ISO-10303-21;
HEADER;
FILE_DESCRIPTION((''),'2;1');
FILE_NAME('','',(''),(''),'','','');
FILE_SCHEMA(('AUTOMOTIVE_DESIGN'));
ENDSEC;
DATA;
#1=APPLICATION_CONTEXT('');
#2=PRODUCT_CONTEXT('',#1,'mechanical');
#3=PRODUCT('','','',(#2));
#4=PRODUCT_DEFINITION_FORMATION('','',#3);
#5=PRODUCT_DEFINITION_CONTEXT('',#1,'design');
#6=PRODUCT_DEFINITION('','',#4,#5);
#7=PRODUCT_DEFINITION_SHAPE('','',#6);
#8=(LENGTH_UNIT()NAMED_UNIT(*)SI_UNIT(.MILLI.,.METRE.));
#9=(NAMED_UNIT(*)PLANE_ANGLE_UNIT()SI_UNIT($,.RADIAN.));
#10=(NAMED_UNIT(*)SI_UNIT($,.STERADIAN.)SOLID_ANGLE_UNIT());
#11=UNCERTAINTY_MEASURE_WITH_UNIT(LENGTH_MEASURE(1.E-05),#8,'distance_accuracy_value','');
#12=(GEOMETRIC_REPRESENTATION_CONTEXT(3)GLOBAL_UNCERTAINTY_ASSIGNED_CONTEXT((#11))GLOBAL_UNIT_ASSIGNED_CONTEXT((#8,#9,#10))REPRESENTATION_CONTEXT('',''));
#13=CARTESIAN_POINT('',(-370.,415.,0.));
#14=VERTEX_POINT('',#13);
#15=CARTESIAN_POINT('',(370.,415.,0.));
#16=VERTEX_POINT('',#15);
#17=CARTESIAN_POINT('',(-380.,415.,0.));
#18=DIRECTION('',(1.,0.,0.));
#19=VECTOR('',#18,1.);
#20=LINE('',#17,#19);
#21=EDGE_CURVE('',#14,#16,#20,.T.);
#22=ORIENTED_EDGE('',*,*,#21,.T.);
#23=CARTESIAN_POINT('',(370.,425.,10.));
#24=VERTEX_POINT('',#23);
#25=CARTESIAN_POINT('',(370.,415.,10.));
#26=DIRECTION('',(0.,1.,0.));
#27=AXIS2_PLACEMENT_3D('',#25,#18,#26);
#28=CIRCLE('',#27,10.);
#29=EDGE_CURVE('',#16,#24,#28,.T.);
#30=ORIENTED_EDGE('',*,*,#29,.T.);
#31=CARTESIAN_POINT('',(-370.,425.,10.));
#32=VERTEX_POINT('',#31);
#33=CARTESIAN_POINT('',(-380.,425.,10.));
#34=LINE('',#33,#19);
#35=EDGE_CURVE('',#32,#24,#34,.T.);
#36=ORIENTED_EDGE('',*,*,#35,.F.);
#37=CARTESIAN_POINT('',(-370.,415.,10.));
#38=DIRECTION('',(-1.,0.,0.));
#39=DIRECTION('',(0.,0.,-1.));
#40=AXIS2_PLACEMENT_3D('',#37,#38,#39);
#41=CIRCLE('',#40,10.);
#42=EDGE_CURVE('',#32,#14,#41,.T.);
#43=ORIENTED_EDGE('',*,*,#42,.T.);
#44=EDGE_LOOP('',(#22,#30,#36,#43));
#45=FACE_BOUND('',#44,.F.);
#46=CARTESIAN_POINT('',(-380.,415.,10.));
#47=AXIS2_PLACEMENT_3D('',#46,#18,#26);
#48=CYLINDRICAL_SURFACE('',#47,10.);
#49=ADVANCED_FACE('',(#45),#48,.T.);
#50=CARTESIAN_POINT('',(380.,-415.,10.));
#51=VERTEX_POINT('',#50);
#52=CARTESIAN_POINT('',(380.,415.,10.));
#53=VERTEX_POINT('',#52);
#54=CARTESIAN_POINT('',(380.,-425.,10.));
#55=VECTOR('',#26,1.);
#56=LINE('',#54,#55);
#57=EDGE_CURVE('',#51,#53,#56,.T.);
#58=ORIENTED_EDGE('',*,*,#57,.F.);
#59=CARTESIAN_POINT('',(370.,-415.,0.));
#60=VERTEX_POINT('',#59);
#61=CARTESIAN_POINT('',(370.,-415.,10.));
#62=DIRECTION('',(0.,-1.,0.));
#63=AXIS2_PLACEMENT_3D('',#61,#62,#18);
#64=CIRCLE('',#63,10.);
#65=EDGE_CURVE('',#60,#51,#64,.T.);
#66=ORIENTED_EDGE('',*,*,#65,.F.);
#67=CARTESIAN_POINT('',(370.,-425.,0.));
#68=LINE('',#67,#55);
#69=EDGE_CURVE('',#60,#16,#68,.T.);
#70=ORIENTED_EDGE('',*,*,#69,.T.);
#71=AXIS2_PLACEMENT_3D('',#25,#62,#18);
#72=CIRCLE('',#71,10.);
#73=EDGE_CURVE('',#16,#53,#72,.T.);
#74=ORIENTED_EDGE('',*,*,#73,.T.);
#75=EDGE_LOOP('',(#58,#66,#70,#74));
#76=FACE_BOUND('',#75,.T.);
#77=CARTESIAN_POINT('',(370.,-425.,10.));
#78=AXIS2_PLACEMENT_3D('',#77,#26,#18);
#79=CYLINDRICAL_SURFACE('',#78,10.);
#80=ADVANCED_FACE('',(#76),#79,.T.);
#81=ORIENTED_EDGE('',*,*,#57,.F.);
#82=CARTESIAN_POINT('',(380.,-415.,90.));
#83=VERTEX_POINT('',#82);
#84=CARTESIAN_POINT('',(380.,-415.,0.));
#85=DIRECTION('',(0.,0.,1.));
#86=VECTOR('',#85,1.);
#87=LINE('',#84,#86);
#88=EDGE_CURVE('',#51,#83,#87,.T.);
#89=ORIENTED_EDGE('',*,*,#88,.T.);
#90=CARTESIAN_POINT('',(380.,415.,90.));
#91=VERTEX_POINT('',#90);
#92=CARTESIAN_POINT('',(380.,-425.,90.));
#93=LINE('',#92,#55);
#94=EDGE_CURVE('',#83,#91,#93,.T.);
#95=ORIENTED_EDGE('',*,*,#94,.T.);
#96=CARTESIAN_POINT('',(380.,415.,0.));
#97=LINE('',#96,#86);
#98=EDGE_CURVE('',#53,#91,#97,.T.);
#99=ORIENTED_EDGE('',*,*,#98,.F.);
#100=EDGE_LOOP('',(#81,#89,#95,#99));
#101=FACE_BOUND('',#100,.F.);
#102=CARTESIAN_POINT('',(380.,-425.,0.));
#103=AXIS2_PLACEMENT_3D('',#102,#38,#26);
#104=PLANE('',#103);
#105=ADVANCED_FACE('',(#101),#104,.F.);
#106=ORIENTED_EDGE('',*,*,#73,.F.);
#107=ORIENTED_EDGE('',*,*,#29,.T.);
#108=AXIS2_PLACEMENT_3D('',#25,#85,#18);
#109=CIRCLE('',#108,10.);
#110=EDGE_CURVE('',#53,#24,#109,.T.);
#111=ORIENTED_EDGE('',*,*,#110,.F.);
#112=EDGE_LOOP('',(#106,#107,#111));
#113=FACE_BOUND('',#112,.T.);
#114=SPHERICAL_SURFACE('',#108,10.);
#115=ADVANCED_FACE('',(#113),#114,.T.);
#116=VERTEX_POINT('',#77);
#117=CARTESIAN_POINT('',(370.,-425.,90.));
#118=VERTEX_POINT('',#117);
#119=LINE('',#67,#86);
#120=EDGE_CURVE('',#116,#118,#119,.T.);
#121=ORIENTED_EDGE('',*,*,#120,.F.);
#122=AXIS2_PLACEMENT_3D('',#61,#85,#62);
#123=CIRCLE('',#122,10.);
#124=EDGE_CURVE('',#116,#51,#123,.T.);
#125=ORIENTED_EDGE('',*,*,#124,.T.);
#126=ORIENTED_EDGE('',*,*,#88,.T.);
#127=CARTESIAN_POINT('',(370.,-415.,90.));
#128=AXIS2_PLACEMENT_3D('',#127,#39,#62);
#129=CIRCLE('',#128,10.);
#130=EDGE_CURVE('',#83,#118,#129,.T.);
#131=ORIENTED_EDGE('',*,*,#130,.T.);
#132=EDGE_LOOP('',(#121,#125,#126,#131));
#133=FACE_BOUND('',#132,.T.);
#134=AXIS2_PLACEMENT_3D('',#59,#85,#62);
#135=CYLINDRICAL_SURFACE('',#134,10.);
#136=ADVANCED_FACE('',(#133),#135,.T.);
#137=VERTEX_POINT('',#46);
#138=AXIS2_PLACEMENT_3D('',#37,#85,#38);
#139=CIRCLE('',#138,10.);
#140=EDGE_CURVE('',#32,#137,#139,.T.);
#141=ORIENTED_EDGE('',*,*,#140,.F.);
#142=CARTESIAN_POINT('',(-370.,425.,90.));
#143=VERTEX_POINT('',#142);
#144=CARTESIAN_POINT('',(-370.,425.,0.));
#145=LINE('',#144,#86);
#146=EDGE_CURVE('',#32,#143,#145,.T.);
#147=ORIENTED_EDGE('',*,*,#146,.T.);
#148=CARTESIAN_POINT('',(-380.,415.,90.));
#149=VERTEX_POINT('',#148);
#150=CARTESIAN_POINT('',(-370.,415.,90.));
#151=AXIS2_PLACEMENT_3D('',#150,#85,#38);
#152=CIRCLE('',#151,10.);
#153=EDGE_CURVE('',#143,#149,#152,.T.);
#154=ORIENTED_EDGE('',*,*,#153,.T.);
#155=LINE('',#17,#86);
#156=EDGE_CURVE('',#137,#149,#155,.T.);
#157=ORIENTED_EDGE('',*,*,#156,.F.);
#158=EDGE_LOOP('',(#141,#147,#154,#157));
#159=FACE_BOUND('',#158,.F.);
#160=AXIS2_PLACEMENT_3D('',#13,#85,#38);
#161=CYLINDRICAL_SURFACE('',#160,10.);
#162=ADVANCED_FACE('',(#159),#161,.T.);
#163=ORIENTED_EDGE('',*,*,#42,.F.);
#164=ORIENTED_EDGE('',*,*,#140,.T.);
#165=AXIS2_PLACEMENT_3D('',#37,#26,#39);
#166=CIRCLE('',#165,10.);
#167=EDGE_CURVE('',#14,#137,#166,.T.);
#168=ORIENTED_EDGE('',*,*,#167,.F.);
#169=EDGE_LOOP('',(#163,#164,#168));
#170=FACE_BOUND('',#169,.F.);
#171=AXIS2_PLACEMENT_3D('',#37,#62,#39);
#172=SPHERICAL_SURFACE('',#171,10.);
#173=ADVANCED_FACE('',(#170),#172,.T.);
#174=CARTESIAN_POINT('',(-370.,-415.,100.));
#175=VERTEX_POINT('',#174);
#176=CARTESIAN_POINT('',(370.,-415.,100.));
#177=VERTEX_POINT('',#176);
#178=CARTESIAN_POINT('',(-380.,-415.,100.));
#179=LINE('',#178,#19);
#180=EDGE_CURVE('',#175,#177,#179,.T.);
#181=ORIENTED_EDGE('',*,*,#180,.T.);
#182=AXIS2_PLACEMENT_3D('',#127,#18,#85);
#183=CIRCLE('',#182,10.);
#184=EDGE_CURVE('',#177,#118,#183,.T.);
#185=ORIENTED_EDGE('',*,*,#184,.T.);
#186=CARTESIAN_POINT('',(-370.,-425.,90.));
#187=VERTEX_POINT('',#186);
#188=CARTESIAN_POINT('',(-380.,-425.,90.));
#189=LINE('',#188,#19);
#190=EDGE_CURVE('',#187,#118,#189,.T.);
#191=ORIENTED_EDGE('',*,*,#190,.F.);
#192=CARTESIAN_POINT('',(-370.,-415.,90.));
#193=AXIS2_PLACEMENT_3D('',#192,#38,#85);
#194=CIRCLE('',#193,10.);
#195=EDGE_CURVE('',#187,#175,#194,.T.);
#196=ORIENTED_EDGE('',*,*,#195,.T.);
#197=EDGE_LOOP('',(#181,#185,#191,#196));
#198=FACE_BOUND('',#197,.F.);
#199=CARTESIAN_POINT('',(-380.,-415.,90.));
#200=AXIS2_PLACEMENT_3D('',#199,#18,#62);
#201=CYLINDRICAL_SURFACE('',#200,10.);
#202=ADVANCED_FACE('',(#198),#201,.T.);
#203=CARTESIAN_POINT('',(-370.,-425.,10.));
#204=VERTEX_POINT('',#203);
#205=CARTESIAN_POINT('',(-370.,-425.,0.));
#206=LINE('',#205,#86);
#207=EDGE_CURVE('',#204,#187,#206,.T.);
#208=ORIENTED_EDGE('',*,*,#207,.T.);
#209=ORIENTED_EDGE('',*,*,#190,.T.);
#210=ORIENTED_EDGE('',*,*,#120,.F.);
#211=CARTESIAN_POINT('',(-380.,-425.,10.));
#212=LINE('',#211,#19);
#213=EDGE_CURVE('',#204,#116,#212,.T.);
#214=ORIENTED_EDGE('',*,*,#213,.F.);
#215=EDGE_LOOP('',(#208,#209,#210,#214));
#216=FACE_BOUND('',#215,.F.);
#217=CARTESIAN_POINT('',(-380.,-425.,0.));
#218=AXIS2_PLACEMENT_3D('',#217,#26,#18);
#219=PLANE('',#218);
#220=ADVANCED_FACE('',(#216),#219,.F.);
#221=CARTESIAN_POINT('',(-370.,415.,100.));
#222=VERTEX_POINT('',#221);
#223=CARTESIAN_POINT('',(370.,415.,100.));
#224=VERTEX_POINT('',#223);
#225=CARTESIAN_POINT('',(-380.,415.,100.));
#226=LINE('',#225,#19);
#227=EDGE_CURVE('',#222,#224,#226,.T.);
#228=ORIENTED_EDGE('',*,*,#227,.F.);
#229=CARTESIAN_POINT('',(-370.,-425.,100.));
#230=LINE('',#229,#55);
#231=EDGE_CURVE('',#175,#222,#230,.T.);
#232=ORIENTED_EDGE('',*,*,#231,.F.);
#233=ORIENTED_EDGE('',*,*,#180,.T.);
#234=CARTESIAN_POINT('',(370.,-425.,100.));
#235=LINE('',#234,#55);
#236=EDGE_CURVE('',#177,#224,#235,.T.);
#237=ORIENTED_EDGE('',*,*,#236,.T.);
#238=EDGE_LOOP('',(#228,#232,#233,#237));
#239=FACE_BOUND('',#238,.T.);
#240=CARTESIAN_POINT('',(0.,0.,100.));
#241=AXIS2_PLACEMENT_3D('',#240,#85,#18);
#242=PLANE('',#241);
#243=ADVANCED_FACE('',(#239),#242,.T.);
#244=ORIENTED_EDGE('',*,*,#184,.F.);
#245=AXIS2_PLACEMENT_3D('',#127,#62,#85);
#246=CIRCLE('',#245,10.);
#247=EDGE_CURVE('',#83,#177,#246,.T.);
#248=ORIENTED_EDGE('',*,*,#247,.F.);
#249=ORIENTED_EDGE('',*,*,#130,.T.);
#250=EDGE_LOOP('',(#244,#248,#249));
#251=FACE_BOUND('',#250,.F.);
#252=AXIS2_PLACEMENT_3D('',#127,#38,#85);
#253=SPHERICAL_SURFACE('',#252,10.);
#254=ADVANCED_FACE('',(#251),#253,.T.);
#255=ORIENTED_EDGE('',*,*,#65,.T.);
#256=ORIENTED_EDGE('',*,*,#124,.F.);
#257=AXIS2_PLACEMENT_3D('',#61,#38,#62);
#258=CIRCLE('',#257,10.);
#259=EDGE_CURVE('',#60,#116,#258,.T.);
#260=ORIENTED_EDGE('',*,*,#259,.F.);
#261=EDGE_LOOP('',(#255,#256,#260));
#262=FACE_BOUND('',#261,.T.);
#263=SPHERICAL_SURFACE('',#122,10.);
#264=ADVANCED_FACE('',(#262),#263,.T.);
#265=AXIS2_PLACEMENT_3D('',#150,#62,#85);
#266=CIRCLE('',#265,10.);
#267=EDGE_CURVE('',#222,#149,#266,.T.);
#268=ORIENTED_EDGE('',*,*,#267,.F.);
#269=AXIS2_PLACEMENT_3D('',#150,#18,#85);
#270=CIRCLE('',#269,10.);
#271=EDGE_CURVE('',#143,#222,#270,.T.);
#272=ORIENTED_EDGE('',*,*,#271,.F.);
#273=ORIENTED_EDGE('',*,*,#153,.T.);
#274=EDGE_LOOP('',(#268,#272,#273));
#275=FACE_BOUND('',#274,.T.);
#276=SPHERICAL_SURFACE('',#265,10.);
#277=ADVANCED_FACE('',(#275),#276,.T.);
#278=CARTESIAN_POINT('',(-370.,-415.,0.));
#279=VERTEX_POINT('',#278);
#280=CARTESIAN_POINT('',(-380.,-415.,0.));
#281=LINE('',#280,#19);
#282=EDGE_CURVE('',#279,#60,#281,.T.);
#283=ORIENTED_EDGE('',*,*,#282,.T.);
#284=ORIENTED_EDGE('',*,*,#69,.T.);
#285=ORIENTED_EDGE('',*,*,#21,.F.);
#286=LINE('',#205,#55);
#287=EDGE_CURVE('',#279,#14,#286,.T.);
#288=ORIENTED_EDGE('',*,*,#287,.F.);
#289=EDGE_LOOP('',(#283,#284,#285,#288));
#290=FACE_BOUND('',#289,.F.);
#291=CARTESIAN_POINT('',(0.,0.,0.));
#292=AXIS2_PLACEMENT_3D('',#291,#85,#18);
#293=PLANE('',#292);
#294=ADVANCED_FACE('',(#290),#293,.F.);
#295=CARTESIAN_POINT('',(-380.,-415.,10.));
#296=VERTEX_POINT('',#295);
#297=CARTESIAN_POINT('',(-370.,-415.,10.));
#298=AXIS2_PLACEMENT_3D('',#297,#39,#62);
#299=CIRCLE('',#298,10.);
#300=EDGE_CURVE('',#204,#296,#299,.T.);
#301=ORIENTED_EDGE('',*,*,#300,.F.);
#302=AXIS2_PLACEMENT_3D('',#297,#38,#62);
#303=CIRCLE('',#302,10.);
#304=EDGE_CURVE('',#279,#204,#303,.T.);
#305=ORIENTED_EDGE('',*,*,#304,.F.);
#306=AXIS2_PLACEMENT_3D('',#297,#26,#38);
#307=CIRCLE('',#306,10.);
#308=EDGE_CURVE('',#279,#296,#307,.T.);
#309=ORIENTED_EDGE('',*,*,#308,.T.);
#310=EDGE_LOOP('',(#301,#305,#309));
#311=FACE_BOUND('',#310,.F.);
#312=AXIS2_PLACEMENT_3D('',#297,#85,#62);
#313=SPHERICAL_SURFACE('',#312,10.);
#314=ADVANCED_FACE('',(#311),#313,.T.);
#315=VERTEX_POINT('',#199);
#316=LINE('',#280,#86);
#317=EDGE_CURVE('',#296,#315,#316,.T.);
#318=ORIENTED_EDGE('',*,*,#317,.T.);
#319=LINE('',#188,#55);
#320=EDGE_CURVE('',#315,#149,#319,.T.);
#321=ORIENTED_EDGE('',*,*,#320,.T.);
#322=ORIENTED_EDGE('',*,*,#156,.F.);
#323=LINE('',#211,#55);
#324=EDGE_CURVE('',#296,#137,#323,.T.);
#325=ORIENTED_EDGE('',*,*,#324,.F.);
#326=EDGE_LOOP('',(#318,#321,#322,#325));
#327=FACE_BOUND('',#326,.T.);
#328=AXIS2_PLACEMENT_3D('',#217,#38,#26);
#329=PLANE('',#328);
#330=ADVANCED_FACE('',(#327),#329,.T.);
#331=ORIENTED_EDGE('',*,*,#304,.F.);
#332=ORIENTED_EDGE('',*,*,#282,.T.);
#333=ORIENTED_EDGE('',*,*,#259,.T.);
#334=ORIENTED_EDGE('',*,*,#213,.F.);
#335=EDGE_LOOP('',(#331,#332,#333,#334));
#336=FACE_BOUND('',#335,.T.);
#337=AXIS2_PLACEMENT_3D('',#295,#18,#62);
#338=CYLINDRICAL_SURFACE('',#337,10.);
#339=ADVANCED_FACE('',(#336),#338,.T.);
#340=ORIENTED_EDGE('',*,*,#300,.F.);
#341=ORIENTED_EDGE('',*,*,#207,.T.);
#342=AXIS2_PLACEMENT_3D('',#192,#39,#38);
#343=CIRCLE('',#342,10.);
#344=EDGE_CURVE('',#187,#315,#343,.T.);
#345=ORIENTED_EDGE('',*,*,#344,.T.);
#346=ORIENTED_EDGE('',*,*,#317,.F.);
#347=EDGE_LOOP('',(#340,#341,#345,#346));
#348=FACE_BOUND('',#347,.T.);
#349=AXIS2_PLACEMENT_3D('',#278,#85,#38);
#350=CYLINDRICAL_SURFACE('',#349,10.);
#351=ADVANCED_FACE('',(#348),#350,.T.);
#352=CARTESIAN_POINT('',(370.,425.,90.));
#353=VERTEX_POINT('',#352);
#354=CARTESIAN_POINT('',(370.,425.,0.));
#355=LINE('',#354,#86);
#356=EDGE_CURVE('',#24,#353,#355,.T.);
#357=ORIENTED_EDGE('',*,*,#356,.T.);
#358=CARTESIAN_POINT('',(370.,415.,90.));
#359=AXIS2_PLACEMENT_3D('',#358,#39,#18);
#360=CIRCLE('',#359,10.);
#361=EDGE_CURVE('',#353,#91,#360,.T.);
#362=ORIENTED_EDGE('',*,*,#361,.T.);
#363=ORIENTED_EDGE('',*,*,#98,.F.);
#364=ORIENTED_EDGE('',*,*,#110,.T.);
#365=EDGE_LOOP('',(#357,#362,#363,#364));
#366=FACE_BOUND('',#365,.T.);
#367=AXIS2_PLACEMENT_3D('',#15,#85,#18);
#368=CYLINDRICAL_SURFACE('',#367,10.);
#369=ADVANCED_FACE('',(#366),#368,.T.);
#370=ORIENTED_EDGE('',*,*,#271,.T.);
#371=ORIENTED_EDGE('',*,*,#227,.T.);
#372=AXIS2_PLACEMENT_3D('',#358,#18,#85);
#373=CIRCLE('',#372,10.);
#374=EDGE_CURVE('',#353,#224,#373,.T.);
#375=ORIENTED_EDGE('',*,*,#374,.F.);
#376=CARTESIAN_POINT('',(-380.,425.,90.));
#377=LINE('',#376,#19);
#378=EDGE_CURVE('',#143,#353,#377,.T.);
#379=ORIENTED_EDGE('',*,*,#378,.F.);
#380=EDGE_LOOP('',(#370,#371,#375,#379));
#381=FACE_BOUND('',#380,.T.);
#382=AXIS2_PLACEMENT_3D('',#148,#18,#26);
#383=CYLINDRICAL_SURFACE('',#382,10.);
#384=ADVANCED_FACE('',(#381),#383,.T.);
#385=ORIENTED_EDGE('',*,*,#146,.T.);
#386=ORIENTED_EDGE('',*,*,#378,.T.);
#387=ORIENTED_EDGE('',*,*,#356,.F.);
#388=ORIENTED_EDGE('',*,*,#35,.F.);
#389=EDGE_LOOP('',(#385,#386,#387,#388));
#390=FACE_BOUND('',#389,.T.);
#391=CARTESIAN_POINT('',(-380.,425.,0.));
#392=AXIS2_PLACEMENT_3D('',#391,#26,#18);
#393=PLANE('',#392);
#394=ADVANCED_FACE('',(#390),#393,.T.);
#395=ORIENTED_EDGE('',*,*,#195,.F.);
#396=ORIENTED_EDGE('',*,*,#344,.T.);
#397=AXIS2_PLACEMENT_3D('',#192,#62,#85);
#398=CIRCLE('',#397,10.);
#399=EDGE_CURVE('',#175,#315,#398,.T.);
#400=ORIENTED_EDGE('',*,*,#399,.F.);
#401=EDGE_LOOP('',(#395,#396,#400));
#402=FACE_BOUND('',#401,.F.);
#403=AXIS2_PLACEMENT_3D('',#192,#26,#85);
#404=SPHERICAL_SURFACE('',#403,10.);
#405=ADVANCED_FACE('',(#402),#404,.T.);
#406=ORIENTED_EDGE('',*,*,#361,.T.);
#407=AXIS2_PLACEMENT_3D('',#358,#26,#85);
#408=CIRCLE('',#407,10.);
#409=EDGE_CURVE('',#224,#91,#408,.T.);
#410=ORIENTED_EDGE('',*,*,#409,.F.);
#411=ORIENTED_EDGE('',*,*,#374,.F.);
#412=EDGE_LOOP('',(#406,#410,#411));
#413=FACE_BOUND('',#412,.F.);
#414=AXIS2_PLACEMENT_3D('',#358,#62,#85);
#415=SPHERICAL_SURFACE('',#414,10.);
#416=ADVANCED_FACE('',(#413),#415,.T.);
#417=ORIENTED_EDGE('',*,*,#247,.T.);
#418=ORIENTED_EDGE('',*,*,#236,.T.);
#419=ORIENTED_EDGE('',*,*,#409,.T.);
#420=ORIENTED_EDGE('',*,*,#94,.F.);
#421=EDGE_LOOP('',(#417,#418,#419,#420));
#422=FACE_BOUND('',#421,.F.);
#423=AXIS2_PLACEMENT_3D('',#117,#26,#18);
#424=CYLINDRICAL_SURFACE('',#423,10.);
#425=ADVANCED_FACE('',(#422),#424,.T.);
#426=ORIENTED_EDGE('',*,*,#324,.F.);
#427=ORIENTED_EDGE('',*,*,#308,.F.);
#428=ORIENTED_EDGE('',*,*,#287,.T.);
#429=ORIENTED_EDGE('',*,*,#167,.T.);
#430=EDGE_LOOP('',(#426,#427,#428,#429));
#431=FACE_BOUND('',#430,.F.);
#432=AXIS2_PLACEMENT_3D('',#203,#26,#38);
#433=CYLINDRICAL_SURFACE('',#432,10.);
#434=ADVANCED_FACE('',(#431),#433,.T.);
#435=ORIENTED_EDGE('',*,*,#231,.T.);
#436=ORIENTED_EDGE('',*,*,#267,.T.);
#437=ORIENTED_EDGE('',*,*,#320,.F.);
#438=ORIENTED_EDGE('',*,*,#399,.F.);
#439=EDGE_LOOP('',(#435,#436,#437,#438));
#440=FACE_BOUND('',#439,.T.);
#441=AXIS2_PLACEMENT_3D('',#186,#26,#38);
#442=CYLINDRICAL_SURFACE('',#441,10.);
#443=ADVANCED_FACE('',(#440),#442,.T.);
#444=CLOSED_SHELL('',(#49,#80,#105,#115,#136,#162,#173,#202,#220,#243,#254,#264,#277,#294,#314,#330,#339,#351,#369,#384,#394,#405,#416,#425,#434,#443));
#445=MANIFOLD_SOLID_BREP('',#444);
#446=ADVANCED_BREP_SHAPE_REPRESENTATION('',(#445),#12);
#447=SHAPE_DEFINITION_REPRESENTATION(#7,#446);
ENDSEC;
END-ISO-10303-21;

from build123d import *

# Parameters (mm, degrees)
SKETCH_W  = 760
SKETCH_H  = 850
PAD_DEPTH = 100
FILLET_R  = 10


with BuildPart() as part:
    # Sketch → Pad (new body)
    with BuildSketch(Plane.XY):
        Rectangle(SKETCH_W, SKETCH_H)
    extrude(amount=PAD_DEPTH)

    # Fillet
    fillet_edges = [part.edges().sort_by_distance(p)[0] for p in [
        (-380, 0, 100),
        (0, -425, 100),
        (380, 0, 100),
        (0, 425, 100),
        (-380, -425, 50),
        (380, -425, 50),
        (0, -425, 0),
        (380, 425, 50),
        (380, 0, 0),
        (-380, 0, 0),
        (0, 425, 0),
        (-380, 425, 50),
    ]]
    fillet(fillet_edges, radius=FILLET_R)


solid = part.part
